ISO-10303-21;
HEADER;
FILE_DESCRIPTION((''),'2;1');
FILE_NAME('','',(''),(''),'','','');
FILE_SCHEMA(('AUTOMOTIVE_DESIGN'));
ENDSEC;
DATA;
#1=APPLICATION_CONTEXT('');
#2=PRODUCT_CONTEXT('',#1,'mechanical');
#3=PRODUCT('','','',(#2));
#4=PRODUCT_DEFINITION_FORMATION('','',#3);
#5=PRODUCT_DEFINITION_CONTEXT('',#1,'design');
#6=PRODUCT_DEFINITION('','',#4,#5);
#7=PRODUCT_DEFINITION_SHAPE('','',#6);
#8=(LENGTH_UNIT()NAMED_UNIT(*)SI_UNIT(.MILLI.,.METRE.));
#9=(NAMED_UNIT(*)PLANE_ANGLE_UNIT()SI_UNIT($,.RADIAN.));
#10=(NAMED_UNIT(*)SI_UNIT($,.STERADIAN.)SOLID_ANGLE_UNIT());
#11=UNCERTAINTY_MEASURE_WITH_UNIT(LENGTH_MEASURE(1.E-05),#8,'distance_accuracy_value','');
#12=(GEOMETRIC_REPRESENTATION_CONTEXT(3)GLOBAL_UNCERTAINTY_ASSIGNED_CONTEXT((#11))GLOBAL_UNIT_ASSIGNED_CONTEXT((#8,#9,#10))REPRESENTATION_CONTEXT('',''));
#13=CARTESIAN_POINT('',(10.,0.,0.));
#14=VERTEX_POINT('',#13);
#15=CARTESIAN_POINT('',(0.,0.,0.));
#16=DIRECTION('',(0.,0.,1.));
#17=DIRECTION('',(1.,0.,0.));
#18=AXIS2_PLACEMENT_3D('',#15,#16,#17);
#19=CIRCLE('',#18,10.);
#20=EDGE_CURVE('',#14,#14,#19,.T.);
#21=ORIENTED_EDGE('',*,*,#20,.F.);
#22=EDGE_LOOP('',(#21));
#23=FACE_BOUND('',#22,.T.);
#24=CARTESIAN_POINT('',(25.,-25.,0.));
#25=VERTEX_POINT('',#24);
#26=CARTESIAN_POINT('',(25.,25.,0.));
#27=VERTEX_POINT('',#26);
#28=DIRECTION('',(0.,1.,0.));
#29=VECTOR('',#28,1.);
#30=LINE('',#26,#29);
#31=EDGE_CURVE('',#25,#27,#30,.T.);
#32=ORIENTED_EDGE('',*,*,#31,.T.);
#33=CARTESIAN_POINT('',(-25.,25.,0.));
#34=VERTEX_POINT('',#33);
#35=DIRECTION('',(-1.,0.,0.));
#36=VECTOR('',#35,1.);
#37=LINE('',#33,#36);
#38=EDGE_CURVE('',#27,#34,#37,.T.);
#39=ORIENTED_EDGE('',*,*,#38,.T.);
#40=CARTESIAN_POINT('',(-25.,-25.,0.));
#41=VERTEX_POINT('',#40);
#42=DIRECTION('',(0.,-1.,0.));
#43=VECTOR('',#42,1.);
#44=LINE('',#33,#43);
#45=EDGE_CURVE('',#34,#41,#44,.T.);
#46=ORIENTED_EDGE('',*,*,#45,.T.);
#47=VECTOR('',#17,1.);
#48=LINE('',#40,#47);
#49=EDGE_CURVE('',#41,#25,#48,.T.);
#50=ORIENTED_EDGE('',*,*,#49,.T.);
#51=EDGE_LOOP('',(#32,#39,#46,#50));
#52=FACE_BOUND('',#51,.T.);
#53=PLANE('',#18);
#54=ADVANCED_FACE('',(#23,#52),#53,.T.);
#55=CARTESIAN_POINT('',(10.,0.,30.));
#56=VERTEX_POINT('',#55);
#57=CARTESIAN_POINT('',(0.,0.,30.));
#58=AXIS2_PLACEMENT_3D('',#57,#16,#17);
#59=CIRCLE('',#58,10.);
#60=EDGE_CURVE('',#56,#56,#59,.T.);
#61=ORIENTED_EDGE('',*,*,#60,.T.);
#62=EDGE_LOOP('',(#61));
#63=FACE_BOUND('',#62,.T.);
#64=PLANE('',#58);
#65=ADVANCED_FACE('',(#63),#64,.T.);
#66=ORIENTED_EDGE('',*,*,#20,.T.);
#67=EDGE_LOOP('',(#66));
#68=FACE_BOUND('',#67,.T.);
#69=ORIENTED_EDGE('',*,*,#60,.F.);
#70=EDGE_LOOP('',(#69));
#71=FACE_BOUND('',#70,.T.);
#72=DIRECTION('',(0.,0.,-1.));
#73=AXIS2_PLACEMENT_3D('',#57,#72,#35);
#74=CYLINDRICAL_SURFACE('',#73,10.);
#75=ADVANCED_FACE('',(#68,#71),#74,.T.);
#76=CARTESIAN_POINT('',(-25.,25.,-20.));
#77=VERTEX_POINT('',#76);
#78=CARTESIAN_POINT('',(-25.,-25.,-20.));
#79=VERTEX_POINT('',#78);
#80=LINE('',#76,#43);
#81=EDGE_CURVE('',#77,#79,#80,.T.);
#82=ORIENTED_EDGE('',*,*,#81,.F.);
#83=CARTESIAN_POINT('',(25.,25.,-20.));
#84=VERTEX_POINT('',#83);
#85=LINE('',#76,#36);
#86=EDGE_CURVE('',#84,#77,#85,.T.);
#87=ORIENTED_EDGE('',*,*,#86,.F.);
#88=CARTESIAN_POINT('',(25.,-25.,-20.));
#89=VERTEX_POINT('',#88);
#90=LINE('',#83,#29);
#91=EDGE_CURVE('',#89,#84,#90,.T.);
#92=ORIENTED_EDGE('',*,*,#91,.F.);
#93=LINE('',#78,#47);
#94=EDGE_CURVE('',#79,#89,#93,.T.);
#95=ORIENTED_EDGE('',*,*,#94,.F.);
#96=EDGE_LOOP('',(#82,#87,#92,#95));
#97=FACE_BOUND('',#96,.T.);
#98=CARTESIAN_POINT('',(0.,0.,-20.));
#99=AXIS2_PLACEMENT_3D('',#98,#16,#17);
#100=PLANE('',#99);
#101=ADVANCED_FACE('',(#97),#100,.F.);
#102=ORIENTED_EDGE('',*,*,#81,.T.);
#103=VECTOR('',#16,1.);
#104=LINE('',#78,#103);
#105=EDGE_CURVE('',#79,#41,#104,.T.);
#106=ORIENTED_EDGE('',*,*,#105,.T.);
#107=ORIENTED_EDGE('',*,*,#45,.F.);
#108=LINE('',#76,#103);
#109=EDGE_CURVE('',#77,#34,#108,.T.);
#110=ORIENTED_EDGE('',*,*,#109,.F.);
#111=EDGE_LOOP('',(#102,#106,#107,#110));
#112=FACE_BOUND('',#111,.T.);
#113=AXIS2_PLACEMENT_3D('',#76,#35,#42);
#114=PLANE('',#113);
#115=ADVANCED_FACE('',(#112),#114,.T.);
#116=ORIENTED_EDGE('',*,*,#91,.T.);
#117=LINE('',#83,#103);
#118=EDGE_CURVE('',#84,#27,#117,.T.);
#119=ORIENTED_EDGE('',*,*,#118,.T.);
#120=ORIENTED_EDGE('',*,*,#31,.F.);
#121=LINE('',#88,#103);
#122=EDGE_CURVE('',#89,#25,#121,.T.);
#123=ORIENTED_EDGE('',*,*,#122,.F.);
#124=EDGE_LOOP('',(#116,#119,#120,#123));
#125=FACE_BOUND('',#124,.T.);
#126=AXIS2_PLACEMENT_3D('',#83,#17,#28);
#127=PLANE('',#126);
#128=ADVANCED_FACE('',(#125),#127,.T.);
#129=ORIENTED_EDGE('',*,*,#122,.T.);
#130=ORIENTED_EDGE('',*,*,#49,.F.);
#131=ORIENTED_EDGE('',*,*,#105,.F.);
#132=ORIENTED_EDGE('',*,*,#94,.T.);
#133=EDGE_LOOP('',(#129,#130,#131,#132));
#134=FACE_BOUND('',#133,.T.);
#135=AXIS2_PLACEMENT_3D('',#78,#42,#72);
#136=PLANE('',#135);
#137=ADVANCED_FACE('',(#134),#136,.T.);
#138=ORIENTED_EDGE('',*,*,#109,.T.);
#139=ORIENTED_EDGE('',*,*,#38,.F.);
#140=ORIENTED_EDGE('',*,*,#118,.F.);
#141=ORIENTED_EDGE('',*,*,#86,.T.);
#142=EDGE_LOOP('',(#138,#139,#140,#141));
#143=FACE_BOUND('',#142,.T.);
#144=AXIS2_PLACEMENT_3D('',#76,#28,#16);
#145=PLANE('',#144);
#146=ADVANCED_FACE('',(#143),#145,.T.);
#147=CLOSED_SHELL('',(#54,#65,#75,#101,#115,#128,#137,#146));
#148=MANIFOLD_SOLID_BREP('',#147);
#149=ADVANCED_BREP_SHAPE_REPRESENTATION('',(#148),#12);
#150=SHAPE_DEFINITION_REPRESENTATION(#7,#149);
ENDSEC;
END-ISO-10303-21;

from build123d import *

# Parameters (mm, degrees)
SKETCH1_W           = 50
SKETCH1_H           = 50
BOSS_EXTRUDE1_DEPTH = 20
SKETCH2_R           = 10
BOSS_EXTRUDE2_DEPTH = 30


with BuildPart() as part:
    # Sketch1 → Boss-Extrude1 (new body)
    with BuildSketch(Plane.XY):
        Rectangle(SKETCH1_W, SKETCH1_H)
    extrude(amount=-BOSS_EXTRUDE1_DEPTH)

    # Sketch2 → Boss-Extrude2 (add)
    with BuildSketch(Plane.XY):
        Circle(SKETCH2_R)
    extrude(amount=BOSS_EXTRUDE2_DEPTH)


solid = part.part
